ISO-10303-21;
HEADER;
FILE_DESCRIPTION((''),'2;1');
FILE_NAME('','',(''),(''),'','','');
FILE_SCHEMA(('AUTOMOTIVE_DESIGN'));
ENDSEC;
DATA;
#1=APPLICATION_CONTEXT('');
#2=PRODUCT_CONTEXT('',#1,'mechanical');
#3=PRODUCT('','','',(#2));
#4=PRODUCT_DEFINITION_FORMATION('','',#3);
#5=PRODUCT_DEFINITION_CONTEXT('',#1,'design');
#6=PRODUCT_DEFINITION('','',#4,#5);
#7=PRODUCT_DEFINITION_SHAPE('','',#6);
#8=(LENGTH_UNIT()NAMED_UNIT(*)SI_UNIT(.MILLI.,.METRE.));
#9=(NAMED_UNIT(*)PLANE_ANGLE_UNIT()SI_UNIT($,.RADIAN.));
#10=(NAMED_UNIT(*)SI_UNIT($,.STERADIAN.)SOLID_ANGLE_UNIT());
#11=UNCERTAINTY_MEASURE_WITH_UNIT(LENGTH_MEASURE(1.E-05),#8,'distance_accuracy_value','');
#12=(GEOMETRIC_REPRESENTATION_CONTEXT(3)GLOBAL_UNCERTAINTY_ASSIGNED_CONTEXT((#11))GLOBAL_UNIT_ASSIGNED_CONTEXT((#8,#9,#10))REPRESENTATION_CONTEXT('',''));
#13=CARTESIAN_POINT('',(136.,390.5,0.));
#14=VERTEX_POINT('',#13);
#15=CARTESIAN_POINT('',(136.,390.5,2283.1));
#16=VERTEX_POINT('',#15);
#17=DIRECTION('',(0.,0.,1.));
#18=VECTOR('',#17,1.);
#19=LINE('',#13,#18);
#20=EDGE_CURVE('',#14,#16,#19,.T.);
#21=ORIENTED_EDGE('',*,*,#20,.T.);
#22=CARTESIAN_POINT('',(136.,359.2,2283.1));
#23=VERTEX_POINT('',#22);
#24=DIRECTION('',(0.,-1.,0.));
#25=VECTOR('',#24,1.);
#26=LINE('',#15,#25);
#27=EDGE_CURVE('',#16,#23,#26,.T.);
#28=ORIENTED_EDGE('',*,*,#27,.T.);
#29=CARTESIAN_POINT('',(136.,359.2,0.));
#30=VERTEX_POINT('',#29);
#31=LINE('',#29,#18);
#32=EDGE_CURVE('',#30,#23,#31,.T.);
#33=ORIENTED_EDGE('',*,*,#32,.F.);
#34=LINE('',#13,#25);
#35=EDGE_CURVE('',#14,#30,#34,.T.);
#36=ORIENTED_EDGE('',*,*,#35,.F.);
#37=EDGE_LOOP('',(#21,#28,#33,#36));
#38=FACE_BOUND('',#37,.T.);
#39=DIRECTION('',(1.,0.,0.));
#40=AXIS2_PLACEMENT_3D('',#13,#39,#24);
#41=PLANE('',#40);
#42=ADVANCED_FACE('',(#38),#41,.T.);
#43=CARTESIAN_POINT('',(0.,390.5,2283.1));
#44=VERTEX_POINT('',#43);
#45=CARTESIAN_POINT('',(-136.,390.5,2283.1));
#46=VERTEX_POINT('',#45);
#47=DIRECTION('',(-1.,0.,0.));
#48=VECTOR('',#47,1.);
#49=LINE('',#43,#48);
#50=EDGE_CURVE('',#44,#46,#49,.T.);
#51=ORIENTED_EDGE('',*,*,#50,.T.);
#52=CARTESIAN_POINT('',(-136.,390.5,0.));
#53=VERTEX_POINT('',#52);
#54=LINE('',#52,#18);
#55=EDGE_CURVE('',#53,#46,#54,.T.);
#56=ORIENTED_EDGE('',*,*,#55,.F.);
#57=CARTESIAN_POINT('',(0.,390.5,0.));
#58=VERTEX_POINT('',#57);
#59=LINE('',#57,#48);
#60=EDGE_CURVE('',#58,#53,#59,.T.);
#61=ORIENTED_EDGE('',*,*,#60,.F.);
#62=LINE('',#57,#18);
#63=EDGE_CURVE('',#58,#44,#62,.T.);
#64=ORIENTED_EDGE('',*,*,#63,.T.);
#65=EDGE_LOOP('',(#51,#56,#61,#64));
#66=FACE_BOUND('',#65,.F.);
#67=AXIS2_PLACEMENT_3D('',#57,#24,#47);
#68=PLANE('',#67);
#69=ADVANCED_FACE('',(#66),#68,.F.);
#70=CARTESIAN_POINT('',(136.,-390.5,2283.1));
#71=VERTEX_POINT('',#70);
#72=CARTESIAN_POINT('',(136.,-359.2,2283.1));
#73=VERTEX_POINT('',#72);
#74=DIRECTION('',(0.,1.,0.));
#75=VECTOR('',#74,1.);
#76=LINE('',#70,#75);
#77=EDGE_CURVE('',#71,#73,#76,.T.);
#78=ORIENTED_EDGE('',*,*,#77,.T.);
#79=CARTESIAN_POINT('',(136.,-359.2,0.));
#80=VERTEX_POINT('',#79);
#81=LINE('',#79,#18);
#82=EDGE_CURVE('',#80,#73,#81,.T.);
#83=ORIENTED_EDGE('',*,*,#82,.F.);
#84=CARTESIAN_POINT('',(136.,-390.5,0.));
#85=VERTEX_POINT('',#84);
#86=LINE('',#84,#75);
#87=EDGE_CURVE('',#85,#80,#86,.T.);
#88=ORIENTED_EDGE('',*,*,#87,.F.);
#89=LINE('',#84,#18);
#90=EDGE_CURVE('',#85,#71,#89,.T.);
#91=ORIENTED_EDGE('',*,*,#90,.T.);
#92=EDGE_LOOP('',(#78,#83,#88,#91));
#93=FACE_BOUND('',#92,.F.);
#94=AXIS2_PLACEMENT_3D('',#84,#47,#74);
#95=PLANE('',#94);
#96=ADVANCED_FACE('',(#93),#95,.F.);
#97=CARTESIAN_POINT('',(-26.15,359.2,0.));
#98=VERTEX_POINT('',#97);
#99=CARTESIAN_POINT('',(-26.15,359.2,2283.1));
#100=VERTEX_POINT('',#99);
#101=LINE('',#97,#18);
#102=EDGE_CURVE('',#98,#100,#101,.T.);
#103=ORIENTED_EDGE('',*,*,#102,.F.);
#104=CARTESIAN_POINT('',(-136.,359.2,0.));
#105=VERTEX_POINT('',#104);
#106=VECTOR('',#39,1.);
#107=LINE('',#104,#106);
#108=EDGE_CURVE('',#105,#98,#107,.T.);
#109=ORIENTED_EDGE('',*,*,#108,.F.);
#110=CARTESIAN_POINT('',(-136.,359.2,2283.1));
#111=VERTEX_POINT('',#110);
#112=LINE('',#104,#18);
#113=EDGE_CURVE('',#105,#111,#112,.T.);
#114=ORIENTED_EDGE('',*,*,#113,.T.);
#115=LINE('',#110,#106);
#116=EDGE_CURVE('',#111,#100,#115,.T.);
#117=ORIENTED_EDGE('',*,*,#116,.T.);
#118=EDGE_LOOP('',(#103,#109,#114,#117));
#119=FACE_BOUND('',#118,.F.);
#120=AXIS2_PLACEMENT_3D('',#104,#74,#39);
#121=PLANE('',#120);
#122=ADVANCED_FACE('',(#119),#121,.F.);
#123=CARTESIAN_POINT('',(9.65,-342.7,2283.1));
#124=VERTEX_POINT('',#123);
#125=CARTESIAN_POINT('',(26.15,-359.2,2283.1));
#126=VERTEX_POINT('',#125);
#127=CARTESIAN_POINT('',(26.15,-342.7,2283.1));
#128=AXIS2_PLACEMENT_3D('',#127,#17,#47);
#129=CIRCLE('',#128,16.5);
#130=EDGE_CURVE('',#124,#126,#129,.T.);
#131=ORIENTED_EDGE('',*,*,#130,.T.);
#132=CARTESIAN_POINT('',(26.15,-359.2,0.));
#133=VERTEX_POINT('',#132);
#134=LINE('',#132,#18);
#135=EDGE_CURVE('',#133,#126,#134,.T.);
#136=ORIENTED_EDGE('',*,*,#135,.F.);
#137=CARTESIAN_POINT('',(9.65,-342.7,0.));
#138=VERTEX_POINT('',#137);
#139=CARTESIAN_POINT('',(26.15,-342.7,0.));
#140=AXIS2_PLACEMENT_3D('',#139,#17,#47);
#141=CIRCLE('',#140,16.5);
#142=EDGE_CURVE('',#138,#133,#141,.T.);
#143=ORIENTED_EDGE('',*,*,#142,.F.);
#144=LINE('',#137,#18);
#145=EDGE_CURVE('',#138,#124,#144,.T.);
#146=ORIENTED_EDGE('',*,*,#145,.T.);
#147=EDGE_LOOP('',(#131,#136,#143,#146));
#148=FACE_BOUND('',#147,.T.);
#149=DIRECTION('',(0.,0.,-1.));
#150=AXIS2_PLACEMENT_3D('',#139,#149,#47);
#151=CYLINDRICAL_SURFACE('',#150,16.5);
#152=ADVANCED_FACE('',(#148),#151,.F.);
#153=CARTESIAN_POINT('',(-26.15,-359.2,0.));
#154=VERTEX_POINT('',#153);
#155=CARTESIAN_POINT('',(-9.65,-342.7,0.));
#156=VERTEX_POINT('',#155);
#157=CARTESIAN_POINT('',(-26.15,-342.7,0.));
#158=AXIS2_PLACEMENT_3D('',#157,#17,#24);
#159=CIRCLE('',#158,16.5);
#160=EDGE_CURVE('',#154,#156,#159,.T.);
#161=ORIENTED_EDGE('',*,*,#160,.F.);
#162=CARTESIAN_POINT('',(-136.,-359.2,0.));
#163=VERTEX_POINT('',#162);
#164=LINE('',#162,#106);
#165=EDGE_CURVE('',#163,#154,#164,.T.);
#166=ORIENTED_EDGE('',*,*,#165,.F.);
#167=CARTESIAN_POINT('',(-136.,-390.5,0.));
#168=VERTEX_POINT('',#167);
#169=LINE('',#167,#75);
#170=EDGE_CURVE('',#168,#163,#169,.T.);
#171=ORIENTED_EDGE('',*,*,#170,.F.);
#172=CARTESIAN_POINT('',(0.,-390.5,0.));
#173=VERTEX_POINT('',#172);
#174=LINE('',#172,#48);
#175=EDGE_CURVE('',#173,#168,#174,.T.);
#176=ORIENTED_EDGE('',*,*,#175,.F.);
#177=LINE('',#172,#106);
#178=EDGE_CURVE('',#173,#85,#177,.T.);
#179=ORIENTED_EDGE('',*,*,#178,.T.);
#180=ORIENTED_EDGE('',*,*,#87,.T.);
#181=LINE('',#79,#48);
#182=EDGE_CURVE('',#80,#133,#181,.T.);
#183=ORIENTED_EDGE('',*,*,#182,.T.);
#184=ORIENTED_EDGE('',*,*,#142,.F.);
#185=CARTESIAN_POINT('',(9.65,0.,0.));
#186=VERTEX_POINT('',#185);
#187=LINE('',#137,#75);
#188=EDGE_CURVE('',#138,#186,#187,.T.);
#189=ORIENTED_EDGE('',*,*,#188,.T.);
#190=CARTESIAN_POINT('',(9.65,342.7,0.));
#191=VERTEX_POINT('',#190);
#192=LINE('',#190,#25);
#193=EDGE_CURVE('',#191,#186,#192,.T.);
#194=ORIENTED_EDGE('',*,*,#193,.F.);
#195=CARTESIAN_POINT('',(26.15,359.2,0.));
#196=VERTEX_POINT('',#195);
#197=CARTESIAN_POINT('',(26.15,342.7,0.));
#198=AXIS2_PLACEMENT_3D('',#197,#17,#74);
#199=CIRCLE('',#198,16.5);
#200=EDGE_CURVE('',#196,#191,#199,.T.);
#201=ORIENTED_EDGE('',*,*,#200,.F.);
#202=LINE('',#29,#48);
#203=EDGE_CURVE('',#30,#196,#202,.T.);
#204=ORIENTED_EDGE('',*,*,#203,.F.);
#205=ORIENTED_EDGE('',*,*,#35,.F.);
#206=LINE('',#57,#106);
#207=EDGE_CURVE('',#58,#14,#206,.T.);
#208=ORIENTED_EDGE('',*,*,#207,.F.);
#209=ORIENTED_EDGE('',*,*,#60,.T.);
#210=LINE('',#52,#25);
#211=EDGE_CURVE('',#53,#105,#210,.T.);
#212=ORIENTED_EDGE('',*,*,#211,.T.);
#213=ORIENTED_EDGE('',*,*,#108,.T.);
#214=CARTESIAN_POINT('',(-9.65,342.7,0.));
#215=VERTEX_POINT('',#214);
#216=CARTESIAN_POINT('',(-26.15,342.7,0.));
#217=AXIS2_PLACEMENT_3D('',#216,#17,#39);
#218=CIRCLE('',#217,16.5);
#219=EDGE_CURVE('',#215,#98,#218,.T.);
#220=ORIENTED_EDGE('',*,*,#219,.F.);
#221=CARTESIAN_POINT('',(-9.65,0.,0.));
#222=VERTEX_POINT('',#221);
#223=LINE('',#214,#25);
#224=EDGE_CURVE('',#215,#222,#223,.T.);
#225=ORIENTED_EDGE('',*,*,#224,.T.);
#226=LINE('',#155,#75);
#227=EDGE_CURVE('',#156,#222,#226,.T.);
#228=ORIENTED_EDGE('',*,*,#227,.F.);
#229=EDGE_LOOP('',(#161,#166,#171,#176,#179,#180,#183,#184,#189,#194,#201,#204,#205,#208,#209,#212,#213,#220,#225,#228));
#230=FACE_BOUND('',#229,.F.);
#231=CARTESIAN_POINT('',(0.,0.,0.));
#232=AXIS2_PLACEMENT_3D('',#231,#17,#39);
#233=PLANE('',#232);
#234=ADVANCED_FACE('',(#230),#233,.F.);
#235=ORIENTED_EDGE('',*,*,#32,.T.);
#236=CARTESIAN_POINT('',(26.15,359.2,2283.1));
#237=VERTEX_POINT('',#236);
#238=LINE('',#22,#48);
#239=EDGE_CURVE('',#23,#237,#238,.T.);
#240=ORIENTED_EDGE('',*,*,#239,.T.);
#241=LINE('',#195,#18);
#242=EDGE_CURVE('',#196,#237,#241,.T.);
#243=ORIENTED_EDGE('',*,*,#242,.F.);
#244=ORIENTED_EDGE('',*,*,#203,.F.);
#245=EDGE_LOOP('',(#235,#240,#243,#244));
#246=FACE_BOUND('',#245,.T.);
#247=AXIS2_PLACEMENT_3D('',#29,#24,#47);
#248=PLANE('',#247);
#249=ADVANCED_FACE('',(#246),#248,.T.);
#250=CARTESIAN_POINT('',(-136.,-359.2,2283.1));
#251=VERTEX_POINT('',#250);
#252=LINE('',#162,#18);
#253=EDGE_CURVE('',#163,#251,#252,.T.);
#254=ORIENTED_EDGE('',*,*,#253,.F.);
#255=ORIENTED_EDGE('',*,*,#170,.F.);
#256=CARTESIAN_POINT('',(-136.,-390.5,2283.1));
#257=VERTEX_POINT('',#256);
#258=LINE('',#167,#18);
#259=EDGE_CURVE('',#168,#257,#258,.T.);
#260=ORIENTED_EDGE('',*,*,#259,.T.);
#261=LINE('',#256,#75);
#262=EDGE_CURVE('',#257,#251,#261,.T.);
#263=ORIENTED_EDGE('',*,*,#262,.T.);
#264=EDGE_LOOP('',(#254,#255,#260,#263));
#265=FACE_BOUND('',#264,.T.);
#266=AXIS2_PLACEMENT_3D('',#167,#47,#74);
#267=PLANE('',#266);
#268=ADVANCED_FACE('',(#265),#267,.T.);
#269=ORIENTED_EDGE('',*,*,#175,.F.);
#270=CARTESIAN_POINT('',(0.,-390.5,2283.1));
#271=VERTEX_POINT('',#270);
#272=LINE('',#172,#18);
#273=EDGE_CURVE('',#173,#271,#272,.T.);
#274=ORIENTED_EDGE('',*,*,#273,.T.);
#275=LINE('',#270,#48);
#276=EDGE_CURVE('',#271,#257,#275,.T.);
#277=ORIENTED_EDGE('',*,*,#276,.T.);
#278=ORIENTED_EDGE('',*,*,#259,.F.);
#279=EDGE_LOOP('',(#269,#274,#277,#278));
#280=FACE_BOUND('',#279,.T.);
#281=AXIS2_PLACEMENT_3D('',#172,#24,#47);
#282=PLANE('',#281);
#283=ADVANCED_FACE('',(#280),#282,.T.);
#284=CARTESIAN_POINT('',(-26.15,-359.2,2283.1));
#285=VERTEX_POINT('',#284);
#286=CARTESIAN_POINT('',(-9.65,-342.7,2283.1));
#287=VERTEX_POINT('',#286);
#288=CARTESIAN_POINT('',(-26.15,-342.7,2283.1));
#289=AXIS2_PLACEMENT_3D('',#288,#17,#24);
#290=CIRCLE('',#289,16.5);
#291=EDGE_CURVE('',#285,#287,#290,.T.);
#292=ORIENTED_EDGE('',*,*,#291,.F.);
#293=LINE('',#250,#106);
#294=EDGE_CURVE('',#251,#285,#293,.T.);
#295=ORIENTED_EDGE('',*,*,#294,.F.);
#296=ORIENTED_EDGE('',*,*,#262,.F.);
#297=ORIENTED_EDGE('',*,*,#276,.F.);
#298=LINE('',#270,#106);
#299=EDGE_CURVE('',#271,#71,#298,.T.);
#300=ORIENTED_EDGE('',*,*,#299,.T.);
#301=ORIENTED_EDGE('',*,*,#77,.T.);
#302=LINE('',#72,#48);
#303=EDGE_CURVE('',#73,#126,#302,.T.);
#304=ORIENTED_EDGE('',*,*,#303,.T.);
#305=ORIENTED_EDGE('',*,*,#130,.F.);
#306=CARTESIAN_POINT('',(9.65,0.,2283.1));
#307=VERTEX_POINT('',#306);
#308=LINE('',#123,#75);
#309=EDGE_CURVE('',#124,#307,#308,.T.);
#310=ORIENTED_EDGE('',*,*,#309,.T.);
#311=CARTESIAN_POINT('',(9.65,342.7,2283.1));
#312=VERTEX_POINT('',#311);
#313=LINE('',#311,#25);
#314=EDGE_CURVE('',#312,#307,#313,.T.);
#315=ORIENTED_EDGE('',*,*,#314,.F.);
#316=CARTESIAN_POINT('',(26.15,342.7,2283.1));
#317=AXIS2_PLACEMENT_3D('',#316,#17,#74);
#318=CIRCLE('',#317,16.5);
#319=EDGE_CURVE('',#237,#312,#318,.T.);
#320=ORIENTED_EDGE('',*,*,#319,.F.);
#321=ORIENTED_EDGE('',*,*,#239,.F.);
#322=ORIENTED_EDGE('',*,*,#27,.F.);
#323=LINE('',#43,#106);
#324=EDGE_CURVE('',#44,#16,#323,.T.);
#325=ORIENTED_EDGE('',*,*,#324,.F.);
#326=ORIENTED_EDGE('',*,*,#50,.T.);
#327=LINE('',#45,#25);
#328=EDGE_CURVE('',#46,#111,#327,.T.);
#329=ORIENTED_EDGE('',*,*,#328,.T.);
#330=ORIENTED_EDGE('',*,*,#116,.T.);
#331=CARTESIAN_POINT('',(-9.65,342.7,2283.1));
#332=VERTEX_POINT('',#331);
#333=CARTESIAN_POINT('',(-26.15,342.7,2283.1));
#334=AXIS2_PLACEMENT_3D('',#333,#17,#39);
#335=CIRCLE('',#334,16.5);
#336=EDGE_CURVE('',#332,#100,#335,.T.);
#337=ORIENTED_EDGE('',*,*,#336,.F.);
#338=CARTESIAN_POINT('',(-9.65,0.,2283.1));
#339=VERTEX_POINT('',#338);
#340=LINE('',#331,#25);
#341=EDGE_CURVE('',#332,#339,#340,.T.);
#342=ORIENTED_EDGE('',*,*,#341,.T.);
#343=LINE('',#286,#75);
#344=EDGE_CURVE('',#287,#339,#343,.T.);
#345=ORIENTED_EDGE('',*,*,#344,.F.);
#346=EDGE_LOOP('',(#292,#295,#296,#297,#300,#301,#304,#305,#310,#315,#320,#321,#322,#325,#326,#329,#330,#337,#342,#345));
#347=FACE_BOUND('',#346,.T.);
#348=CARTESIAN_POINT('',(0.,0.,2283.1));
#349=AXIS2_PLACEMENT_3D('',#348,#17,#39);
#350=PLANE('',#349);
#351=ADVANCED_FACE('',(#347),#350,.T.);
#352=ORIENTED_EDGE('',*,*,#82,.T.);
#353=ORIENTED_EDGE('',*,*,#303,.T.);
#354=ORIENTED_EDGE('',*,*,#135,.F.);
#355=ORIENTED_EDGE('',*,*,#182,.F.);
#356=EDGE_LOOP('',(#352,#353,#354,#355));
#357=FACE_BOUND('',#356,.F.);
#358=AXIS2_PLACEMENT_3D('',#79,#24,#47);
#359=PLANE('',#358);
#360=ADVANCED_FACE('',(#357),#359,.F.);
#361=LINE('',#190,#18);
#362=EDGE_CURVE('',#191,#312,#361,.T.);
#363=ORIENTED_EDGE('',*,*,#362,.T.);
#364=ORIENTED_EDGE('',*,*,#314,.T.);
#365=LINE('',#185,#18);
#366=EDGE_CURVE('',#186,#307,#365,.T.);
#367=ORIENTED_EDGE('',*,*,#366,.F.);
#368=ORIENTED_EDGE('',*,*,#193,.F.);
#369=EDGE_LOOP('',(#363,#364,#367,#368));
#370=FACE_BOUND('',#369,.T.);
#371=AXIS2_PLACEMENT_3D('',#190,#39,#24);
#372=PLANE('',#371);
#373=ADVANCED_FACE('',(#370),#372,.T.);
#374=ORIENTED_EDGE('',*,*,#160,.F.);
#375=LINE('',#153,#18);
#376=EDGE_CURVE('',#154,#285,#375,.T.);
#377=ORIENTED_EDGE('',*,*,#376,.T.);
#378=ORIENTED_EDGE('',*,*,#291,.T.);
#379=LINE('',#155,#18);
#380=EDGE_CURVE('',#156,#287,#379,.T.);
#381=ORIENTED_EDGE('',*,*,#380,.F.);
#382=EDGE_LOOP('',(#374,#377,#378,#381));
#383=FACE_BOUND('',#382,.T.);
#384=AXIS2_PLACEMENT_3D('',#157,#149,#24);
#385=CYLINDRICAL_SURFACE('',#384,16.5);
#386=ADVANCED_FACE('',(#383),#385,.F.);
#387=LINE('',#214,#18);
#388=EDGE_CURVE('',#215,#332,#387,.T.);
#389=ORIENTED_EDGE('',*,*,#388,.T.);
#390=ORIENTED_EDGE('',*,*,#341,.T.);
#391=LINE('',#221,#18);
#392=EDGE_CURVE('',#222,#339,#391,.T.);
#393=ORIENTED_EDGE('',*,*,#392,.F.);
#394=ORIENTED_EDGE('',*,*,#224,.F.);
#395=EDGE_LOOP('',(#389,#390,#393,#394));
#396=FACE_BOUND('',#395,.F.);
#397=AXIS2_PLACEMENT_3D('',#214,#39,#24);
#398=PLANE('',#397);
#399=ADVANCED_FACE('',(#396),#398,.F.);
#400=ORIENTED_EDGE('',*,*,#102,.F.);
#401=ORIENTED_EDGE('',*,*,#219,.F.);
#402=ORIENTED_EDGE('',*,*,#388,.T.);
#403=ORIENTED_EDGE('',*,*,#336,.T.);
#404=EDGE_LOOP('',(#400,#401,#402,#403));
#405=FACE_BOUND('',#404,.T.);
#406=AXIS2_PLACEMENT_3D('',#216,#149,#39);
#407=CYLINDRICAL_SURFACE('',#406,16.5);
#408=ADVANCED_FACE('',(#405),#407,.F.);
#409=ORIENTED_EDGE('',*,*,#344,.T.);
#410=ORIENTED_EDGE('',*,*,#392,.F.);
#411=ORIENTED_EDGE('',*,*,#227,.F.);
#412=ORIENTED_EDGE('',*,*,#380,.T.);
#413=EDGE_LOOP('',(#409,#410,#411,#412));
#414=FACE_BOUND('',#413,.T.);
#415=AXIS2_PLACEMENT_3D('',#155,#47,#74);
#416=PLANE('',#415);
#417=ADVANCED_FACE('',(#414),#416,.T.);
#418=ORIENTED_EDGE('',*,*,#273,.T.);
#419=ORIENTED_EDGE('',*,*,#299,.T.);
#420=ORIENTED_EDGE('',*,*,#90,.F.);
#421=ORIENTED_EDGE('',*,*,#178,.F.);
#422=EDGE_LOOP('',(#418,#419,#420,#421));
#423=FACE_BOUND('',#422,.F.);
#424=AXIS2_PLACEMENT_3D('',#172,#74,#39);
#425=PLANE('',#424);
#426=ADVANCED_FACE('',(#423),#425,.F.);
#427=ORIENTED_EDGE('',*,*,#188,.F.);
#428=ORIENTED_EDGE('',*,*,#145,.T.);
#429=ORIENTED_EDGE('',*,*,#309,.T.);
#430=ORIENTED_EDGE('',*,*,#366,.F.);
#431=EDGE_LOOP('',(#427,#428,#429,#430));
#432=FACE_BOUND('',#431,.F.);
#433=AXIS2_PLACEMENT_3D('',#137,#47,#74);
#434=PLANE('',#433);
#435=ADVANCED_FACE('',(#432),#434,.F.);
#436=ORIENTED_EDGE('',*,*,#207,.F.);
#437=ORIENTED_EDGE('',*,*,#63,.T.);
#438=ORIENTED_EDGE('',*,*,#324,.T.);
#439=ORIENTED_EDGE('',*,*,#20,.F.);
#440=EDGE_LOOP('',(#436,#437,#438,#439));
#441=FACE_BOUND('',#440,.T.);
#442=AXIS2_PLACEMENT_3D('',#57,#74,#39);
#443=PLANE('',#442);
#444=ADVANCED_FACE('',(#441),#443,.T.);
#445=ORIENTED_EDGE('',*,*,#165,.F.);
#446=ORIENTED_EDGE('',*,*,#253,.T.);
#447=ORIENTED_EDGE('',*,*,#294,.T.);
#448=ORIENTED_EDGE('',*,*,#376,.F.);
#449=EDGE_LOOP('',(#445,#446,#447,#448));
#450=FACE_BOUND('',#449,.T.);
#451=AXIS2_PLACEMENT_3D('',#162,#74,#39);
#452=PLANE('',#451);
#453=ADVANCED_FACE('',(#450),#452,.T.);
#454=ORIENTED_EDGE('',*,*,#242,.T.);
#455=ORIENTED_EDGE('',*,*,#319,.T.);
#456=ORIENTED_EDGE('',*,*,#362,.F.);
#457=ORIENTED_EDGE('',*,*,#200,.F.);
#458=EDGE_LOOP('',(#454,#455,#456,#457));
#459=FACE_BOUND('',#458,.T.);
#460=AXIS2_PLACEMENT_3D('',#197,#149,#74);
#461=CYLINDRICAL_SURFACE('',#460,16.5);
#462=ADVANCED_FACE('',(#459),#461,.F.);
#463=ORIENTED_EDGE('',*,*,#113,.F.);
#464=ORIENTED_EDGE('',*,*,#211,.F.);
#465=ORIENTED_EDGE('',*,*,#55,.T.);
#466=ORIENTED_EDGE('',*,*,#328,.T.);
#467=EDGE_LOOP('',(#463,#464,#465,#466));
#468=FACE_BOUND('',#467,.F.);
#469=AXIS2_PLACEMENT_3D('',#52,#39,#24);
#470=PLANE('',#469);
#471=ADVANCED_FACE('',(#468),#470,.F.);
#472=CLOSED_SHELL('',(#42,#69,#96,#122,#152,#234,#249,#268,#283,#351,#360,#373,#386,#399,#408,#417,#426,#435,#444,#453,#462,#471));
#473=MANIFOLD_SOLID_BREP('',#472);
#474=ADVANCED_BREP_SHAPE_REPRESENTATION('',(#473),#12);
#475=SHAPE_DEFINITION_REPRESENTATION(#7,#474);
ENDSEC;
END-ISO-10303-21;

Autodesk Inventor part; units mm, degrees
ref_plane "YZ Plane" through (0, 0, 0) normal (1, 0, 0) x (0, 1, 0)
ref_plane "Start plane" through (0, 0, 0) normal (0, 0, 1) x (1, 0, 0)
ref_plane "End plane" through (0, 0, 2283.1) normal (0, 0, 1) x (1, 0, 0)
sketch "Sketch" plane through (0, 0, 0) normal (0, 0, 1) x (1, 0, 0)
  line L0 (-136, -390.5) -> (-136, -359.2)
  line L1 (-136, -359.2) -> (-26.15, -359.2)
  line L2 (-9.65, -342.7) -> (-9.65, 0)
  line L3 (-9.65, 0) -> (0, 0) construction
  line L4 (0, 0) -> (0, -390.5) construction
  line L5 (0, -390.5) -> (-136, -390.5)
  line L6 (-60, 0) -> (80, 0) construction
  line L7 (0, -60) -> (0, 80) construction
  line L8 (136, -390.5) -> (136, -359.2)
  line L9 (136, -359.2) -> (26.15, -359.2)
  line L10 (9.65, -342.7) -> (9.65, 0)
  line L11 (9.65, 0) -> (0, 0) construction
  line L12 (0, -390.5) -> (136, -390.5)
  line L13 (-136, 390.5) -> (-136, 359.2)
  line L14 (-136, 359.2) -> (-26.15, 359.2)
  line L15 (-9.65, 342.7) -> (-9.65, 0)
  line L16 (0, 390.5) -> (-136, 390.5)
  line L17 (136, 390.5) -> (136, 359.2)
  line L18 (136, 359.2) -> (26.15, 359.2)
  line L19 (0, 390.5) -> (136, 390.5)
  line L20 (9.65, 342.7) -> (9.65, 0)
  arc A0 (-9.65, 342.7) -> (-26.15, 359.2) centre (-26.15, 342.7) ccw
  arc A1 (26.15, 359.2) -> (9.65, 342.7) centre (26.15, 342.7) ccw
  arc A2 (9.65, -342.7) -> (26.15, -359.2) centre (26.15, -342.7) ccw
  arc A3 (-26.15, -359.2) -> (-9.65, -342.7) centre (-26.15, -342.7) ccw
  line L21 (0, 108) -> (0, -88) construction
  line L22 (-88, 0) -> (108, 0) construction
  point P0 (-9.65, -359.2)
  point P1 (9.65, -359.2)
  point P2 (-9.65, 359.2)
  point P3 (9.65, 359.2)
  dimension "d1" = 390.5
  dimension "d2" = 31.3
  dimension "d3" = 136
  dimension "d4" = 9.65
  dimension "d10" = 16.5
extrude "Body" add sketch "Sketch" along normal up to surface (2283.1 mm away) from surface at 0
sketch "Sketch4" plane through (0, 0, 0) normal (0, 0, 1) x (1, 0, 0)
  line L0 (0, 0) -> (10, 0)
ref_plane "Work Plane3" through (0, 0, 0) normal (0, -1, 0) x (1, 0, 0)
sketch "Sketch5" plane through (0, 0, 0) normal (0, -1, 0) x (1, 0, 0)
  line L0 (-2, 0) -> (12, 0) projected
  line L1 (-2, 2283.1) -> (12, 2283.1) projected
  dimension "d14" = 2283.1
equation "\"d1\" = 0.5 * G_H"
equation "\"d2\" = G_T1"
equation "\"d3\" = 0.5 * G_W"
equation "\"d4\" = 0.5 * G_T"
equation "\"d10\" = G_IR"
equation "\"d5\" = G_L"
equation "\"G_W\" = 272"
equation "\"G_H\" = 781"
equation "\"G_T\" = 19.3"
equation "\"G_T1\" = 31.3"
equation "\"G_IR\" = 16.5"
equation "\"G_L\" = d14"
equation "\"G_OFFSET_START\" = 0"
equation "\"G_OFFSET_END\" = 0"
equation "\"d12\" = G_OFFSET_END + B_L"
equation "\"B_L\" = 2283.1"
properties part number "AS 3679-1990 - 760 UB - 244 - 2283.1" material "Steel, Mild"
